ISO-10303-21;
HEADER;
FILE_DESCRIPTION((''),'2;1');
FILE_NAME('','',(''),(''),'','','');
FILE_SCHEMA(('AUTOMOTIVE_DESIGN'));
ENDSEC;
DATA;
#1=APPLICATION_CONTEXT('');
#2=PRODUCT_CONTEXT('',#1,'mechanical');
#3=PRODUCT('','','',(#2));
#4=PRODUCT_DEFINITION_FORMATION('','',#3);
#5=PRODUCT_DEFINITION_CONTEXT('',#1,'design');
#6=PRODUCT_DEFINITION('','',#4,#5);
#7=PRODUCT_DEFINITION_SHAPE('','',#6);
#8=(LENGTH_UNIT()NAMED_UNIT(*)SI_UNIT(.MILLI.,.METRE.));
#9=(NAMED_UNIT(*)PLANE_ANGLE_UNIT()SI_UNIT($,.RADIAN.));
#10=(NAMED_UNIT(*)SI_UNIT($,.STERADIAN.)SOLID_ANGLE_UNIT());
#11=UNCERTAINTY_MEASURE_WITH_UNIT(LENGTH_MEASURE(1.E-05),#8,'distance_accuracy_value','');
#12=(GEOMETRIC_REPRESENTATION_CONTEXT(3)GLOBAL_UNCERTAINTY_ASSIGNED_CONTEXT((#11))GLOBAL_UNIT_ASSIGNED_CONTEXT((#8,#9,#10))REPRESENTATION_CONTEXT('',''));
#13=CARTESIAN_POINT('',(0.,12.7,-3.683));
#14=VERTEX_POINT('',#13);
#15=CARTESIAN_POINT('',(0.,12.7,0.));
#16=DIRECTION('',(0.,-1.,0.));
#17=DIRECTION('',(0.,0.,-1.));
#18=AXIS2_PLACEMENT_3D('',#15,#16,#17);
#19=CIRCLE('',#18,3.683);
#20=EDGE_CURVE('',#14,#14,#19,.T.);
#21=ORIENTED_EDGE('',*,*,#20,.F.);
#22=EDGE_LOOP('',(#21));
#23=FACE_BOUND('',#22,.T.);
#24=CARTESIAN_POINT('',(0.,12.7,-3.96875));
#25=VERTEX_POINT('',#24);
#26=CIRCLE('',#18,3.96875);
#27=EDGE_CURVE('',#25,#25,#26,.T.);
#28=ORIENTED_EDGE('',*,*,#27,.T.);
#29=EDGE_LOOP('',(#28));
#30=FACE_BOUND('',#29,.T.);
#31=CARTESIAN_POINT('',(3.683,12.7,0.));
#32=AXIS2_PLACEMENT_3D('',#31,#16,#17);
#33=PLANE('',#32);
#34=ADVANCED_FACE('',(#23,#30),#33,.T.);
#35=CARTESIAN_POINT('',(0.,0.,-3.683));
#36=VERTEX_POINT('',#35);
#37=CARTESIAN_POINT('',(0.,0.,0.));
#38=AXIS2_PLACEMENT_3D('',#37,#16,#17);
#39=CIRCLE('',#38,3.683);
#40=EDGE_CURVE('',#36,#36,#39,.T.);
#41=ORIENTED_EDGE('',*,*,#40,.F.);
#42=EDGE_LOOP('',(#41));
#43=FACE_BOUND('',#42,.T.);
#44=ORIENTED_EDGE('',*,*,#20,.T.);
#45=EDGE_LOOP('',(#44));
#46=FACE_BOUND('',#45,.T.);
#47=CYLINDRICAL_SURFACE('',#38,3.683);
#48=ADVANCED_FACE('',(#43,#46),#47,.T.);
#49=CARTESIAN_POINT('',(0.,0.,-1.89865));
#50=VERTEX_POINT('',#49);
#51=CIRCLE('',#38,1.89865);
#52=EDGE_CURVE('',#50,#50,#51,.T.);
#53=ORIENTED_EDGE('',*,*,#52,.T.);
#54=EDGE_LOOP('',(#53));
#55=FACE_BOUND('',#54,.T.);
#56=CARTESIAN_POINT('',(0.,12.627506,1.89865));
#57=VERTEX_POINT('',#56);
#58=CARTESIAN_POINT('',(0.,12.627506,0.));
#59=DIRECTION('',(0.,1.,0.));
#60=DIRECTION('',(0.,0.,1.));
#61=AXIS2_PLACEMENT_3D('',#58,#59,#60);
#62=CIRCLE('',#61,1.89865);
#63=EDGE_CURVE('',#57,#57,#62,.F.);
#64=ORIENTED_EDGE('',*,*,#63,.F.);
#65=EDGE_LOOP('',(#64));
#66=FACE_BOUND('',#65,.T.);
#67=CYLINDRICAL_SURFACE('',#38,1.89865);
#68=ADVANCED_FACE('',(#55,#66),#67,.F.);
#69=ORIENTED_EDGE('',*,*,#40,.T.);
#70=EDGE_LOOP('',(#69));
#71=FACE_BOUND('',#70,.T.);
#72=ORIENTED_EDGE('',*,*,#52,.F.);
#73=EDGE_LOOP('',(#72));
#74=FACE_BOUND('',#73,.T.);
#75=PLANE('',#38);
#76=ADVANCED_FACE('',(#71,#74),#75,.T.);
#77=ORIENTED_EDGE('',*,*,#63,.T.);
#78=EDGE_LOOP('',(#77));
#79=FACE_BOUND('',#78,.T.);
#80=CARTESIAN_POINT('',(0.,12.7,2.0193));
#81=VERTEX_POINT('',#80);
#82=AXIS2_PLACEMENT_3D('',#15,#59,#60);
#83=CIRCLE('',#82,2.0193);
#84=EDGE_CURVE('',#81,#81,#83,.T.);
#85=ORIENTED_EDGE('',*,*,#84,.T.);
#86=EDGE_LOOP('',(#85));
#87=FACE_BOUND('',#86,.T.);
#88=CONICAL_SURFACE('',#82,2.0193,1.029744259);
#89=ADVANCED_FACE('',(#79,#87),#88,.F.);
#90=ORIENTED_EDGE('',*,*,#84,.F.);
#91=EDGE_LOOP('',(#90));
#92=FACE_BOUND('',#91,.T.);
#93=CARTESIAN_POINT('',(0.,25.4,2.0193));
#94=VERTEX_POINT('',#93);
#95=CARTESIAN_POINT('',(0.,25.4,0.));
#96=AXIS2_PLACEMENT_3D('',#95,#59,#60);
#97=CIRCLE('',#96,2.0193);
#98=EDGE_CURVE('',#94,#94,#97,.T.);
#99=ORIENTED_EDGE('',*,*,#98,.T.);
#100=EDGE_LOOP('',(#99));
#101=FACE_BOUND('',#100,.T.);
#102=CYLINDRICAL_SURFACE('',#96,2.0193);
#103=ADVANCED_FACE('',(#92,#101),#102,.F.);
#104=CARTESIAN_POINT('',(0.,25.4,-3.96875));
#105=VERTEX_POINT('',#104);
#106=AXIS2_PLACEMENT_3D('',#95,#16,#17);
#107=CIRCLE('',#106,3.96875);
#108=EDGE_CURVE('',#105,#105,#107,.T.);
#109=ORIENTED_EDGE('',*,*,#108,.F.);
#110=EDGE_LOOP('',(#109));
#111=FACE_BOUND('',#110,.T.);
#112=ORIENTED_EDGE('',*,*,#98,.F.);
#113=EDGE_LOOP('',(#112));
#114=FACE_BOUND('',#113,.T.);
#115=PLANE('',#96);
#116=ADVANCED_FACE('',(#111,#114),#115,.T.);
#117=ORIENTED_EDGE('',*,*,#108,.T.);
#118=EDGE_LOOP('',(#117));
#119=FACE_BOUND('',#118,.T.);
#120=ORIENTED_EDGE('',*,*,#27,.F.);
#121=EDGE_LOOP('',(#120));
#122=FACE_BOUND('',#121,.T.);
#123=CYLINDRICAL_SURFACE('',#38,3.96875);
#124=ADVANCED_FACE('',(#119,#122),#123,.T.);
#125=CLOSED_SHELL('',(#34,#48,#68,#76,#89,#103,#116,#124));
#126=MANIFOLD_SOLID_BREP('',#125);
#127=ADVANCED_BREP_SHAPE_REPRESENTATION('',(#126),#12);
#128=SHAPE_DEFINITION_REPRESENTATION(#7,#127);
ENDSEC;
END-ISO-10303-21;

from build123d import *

# Parameters (mm, degrees)
F_10_32_TAPPED_HOLE1_D     = 4.0386
F_10_32_TAPPED_HOLE1_DEPTH = 12.7
F_10_32_TAPPED_HOLE1_TIP   = 1.213317848
F_10_24_TAPPED_HOLE1_D     = 3.7973
F_10_24_TAPPED_HOLE1_DEPTH = 15.24
F_10_24_TAPPED_HOLE1_TIP   = 1.140824014


with BuildPart() as part:
    # Sketch1 → Revolve1 (revolve)
    with BuildSketch(Plane.XY, mode=Mode.PRIVATE) as revolve1_sk:
        Polygon((0, 0), (3.683, 0), (3.683, 12.7), (3.96875, 12.7), (3.96875, 25.4), (0, 25.4), align=None)
    revolve(revolve1_sk.sketch.rotate(Axis((0, 0, 0), (0, 1, 0)), 90), axis=Axis((0, 0, 0), (0, 1, 0)))

    # #10-32 Tapped Hole1
    with Locations(Plane(origin=(0, 25.4, 0), x_dir=(1, 0, 0), z_dir=(0, 1, 0))):
        with Locations((0, 0)):
            Hole(F_10_32_TAPPED_HOLE1_D / 2, depth=F_10_32_TAPPED_HOLE1_DEPTH)
            with Locations((0, 0, -(F_10_32_TAPPED_HOLE1_DEPTH + F_10_32_TAPPED_HOLE1_TIP / 2))):  # 118° drill point
                Cone(0, F_10_32_TAPPED_HOLE1_D / 2, F_10_32_TAPPED_HOLE1_TIP, mode=Mode.SUBTRACT)

    # #10-24 Tapped Hole1
    with Locations(Plane(origin=(0, 0, 0), x_dir=(-1, 0, 0), z_dir=(0, -1, 0))):
        with Locations((0, 0)):
            Hole(F_10_24_TAPPED_HOLE1_D / 2, depth=F_10_24_TAPPED_HOLE1_DEPTH)
            with Locations((0, 0, -(F_10_24_TAPPED_HOLE1_DEPTH + F_10_24_TAPPED_HOLE1_TIP / 2))):  # 118° drill point
                Cone(0, F_10_24_TAPPED_HOLE1_D / 2, F_10_24_TAPPED_HOLE1_TIP, mode=Mode.SUBTRACT)


solid = part.part
